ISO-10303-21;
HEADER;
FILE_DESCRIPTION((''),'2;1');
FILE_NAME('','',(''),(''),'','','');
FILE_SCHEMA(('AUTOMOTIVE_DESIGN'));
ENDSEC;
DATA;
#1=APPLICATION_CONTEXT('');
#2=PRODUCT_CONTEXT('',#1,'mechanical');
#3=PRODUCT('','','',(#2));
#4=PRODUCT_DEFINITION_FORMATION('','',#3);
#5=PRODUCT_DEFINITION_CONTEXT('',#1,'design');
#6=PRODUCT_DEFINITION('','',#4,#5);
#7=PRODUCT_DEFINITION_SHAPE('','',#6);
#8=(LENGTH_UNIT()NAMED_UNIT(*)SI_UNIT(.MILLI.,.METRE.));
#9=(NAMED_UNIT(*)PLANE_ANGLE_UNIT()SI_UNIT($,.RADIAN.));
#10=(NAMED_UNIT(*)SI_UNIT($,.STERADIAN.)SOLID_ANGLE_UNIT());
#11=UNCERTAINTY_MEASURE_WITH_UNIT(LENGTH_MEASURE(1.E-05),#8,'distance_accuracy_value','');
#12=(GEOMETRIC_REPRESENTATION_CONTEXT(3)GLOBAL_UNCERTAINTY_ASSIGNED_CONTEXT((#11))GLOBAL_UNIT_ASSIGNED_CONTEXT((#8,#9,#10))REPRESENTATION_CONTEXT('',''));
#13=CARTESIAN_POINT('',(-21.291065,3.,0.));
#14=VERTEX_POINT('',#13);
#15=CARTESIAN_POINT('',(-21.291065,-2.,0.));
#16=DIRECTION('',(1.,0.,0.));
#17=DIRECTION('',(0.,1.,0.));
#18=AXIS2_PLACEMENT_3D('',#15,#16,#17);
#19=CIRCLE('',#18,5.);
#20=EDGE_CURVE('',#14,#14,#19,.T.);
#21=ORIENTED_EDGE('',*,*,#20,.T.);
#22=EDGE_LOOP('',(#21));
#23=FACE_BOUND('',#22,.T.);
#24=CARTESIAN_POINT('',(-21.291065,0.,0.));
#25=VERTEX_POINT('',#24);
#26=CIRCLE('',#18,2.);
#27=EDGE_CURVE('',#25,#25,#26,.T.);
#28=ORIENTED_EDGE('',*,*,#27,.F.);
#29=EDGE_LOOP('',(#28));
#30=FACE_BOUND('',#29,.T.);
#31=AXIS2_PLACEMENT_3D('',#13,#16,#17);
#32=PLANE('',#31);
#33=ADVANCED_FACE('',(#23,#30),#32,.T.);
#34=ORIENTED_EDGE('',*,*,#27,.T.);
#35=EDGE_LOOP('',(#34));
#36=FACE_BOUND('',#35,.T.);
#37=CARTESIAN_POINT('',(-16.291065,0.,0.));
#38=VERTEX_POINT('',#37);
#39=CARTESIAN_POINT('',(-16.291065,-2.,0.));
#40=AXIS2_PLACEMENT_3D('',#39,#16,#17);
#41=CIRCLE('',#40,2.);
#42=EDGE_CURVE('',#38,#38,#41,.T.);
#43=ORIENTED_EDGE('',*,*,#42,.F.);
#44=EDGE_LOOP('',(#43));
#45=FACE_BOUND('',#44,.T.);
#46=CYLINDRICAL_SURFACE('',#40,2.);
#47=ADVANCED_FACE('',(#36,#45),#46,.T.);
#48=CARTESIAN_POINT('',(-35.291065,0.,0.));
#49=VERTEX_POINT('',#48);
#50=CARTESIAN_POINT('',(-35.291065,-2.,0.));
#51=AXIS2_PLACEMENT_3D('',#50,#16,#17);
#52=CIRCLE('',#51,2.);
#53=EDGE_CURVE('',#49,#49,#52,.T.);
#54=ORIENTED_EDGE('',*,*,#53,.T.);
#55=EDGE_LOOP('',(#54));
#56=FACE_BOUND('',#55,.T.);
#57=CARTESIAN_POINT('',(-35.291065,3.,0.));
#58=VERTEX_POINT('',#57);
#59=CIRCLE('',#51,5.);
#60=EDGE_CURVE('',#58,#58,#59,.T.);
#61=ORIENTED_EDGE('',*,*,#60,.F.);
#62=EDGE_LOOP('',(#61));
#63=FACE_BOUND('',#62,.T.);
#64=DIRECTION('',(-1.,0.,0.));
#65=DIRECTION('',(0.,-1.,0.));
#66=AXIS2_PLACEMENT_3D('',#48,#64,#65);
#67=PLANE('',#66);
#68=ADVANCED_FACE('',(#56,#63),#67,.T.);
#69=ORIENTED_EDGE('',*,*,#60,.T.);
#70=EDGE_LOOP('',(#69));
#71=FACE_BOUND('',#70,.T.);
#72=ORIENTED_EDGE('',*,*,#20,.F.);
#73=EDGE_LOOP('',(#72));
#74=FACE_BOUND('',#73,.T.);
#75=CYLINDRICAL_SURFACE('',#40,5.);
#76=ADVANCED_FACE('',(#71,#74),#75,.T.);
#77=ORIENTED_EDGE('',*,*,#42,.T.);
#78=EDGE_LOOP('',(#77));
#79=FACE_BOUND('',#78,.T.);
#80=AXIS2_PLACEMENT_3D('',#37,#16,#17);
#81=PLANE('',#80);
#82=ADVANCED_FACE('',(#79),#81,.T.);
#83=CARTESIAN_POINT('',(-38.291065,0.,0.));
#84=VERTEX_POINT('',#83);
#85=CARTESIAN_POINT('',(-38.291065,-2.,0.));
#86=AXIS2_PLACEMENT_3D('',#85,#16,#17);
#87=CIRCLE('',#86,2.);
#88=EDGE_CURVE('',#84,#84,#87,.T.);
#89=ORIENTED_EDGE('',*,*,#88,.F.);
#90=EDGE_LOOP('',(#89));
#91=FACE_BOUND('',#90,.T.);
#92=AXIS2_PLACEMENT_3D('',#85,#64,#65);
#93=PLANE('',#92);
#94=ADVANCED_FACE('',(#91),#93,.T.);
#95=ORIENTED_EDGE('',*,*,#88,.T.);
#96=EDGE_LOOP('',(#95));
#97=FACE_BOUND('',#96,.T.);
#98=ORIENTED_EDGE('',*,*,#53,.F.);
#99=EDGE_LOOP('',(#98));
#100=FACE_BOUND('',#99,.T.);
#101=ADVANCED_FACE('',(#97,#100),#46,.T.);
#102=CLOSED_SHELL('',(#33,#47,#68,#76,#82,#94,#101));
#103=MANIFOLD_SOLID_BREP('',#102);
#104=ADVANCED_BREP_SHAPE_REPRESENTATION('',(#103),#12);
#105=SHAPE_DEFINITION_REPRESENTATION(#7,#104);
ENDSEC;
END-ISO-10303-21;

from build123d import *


with BuildPart() as part:
    # Schizzo1 → Rivoluzione1 (revolve)
    with BuildSketch(Plane.XY):
        Polygon((-38.291065144, 0), (-35.291065144, 0), (-35.291065144, 3), (-21.291065144, 3), (-21.291065144, 0), (-16.291065144, 0), (-16.291065144, -2), (-38.291065144, -2), align=None)
    revolve(axis=Axis((-16.291065144, -2, 0), (-1, 0, 0)))


solid = part.part
